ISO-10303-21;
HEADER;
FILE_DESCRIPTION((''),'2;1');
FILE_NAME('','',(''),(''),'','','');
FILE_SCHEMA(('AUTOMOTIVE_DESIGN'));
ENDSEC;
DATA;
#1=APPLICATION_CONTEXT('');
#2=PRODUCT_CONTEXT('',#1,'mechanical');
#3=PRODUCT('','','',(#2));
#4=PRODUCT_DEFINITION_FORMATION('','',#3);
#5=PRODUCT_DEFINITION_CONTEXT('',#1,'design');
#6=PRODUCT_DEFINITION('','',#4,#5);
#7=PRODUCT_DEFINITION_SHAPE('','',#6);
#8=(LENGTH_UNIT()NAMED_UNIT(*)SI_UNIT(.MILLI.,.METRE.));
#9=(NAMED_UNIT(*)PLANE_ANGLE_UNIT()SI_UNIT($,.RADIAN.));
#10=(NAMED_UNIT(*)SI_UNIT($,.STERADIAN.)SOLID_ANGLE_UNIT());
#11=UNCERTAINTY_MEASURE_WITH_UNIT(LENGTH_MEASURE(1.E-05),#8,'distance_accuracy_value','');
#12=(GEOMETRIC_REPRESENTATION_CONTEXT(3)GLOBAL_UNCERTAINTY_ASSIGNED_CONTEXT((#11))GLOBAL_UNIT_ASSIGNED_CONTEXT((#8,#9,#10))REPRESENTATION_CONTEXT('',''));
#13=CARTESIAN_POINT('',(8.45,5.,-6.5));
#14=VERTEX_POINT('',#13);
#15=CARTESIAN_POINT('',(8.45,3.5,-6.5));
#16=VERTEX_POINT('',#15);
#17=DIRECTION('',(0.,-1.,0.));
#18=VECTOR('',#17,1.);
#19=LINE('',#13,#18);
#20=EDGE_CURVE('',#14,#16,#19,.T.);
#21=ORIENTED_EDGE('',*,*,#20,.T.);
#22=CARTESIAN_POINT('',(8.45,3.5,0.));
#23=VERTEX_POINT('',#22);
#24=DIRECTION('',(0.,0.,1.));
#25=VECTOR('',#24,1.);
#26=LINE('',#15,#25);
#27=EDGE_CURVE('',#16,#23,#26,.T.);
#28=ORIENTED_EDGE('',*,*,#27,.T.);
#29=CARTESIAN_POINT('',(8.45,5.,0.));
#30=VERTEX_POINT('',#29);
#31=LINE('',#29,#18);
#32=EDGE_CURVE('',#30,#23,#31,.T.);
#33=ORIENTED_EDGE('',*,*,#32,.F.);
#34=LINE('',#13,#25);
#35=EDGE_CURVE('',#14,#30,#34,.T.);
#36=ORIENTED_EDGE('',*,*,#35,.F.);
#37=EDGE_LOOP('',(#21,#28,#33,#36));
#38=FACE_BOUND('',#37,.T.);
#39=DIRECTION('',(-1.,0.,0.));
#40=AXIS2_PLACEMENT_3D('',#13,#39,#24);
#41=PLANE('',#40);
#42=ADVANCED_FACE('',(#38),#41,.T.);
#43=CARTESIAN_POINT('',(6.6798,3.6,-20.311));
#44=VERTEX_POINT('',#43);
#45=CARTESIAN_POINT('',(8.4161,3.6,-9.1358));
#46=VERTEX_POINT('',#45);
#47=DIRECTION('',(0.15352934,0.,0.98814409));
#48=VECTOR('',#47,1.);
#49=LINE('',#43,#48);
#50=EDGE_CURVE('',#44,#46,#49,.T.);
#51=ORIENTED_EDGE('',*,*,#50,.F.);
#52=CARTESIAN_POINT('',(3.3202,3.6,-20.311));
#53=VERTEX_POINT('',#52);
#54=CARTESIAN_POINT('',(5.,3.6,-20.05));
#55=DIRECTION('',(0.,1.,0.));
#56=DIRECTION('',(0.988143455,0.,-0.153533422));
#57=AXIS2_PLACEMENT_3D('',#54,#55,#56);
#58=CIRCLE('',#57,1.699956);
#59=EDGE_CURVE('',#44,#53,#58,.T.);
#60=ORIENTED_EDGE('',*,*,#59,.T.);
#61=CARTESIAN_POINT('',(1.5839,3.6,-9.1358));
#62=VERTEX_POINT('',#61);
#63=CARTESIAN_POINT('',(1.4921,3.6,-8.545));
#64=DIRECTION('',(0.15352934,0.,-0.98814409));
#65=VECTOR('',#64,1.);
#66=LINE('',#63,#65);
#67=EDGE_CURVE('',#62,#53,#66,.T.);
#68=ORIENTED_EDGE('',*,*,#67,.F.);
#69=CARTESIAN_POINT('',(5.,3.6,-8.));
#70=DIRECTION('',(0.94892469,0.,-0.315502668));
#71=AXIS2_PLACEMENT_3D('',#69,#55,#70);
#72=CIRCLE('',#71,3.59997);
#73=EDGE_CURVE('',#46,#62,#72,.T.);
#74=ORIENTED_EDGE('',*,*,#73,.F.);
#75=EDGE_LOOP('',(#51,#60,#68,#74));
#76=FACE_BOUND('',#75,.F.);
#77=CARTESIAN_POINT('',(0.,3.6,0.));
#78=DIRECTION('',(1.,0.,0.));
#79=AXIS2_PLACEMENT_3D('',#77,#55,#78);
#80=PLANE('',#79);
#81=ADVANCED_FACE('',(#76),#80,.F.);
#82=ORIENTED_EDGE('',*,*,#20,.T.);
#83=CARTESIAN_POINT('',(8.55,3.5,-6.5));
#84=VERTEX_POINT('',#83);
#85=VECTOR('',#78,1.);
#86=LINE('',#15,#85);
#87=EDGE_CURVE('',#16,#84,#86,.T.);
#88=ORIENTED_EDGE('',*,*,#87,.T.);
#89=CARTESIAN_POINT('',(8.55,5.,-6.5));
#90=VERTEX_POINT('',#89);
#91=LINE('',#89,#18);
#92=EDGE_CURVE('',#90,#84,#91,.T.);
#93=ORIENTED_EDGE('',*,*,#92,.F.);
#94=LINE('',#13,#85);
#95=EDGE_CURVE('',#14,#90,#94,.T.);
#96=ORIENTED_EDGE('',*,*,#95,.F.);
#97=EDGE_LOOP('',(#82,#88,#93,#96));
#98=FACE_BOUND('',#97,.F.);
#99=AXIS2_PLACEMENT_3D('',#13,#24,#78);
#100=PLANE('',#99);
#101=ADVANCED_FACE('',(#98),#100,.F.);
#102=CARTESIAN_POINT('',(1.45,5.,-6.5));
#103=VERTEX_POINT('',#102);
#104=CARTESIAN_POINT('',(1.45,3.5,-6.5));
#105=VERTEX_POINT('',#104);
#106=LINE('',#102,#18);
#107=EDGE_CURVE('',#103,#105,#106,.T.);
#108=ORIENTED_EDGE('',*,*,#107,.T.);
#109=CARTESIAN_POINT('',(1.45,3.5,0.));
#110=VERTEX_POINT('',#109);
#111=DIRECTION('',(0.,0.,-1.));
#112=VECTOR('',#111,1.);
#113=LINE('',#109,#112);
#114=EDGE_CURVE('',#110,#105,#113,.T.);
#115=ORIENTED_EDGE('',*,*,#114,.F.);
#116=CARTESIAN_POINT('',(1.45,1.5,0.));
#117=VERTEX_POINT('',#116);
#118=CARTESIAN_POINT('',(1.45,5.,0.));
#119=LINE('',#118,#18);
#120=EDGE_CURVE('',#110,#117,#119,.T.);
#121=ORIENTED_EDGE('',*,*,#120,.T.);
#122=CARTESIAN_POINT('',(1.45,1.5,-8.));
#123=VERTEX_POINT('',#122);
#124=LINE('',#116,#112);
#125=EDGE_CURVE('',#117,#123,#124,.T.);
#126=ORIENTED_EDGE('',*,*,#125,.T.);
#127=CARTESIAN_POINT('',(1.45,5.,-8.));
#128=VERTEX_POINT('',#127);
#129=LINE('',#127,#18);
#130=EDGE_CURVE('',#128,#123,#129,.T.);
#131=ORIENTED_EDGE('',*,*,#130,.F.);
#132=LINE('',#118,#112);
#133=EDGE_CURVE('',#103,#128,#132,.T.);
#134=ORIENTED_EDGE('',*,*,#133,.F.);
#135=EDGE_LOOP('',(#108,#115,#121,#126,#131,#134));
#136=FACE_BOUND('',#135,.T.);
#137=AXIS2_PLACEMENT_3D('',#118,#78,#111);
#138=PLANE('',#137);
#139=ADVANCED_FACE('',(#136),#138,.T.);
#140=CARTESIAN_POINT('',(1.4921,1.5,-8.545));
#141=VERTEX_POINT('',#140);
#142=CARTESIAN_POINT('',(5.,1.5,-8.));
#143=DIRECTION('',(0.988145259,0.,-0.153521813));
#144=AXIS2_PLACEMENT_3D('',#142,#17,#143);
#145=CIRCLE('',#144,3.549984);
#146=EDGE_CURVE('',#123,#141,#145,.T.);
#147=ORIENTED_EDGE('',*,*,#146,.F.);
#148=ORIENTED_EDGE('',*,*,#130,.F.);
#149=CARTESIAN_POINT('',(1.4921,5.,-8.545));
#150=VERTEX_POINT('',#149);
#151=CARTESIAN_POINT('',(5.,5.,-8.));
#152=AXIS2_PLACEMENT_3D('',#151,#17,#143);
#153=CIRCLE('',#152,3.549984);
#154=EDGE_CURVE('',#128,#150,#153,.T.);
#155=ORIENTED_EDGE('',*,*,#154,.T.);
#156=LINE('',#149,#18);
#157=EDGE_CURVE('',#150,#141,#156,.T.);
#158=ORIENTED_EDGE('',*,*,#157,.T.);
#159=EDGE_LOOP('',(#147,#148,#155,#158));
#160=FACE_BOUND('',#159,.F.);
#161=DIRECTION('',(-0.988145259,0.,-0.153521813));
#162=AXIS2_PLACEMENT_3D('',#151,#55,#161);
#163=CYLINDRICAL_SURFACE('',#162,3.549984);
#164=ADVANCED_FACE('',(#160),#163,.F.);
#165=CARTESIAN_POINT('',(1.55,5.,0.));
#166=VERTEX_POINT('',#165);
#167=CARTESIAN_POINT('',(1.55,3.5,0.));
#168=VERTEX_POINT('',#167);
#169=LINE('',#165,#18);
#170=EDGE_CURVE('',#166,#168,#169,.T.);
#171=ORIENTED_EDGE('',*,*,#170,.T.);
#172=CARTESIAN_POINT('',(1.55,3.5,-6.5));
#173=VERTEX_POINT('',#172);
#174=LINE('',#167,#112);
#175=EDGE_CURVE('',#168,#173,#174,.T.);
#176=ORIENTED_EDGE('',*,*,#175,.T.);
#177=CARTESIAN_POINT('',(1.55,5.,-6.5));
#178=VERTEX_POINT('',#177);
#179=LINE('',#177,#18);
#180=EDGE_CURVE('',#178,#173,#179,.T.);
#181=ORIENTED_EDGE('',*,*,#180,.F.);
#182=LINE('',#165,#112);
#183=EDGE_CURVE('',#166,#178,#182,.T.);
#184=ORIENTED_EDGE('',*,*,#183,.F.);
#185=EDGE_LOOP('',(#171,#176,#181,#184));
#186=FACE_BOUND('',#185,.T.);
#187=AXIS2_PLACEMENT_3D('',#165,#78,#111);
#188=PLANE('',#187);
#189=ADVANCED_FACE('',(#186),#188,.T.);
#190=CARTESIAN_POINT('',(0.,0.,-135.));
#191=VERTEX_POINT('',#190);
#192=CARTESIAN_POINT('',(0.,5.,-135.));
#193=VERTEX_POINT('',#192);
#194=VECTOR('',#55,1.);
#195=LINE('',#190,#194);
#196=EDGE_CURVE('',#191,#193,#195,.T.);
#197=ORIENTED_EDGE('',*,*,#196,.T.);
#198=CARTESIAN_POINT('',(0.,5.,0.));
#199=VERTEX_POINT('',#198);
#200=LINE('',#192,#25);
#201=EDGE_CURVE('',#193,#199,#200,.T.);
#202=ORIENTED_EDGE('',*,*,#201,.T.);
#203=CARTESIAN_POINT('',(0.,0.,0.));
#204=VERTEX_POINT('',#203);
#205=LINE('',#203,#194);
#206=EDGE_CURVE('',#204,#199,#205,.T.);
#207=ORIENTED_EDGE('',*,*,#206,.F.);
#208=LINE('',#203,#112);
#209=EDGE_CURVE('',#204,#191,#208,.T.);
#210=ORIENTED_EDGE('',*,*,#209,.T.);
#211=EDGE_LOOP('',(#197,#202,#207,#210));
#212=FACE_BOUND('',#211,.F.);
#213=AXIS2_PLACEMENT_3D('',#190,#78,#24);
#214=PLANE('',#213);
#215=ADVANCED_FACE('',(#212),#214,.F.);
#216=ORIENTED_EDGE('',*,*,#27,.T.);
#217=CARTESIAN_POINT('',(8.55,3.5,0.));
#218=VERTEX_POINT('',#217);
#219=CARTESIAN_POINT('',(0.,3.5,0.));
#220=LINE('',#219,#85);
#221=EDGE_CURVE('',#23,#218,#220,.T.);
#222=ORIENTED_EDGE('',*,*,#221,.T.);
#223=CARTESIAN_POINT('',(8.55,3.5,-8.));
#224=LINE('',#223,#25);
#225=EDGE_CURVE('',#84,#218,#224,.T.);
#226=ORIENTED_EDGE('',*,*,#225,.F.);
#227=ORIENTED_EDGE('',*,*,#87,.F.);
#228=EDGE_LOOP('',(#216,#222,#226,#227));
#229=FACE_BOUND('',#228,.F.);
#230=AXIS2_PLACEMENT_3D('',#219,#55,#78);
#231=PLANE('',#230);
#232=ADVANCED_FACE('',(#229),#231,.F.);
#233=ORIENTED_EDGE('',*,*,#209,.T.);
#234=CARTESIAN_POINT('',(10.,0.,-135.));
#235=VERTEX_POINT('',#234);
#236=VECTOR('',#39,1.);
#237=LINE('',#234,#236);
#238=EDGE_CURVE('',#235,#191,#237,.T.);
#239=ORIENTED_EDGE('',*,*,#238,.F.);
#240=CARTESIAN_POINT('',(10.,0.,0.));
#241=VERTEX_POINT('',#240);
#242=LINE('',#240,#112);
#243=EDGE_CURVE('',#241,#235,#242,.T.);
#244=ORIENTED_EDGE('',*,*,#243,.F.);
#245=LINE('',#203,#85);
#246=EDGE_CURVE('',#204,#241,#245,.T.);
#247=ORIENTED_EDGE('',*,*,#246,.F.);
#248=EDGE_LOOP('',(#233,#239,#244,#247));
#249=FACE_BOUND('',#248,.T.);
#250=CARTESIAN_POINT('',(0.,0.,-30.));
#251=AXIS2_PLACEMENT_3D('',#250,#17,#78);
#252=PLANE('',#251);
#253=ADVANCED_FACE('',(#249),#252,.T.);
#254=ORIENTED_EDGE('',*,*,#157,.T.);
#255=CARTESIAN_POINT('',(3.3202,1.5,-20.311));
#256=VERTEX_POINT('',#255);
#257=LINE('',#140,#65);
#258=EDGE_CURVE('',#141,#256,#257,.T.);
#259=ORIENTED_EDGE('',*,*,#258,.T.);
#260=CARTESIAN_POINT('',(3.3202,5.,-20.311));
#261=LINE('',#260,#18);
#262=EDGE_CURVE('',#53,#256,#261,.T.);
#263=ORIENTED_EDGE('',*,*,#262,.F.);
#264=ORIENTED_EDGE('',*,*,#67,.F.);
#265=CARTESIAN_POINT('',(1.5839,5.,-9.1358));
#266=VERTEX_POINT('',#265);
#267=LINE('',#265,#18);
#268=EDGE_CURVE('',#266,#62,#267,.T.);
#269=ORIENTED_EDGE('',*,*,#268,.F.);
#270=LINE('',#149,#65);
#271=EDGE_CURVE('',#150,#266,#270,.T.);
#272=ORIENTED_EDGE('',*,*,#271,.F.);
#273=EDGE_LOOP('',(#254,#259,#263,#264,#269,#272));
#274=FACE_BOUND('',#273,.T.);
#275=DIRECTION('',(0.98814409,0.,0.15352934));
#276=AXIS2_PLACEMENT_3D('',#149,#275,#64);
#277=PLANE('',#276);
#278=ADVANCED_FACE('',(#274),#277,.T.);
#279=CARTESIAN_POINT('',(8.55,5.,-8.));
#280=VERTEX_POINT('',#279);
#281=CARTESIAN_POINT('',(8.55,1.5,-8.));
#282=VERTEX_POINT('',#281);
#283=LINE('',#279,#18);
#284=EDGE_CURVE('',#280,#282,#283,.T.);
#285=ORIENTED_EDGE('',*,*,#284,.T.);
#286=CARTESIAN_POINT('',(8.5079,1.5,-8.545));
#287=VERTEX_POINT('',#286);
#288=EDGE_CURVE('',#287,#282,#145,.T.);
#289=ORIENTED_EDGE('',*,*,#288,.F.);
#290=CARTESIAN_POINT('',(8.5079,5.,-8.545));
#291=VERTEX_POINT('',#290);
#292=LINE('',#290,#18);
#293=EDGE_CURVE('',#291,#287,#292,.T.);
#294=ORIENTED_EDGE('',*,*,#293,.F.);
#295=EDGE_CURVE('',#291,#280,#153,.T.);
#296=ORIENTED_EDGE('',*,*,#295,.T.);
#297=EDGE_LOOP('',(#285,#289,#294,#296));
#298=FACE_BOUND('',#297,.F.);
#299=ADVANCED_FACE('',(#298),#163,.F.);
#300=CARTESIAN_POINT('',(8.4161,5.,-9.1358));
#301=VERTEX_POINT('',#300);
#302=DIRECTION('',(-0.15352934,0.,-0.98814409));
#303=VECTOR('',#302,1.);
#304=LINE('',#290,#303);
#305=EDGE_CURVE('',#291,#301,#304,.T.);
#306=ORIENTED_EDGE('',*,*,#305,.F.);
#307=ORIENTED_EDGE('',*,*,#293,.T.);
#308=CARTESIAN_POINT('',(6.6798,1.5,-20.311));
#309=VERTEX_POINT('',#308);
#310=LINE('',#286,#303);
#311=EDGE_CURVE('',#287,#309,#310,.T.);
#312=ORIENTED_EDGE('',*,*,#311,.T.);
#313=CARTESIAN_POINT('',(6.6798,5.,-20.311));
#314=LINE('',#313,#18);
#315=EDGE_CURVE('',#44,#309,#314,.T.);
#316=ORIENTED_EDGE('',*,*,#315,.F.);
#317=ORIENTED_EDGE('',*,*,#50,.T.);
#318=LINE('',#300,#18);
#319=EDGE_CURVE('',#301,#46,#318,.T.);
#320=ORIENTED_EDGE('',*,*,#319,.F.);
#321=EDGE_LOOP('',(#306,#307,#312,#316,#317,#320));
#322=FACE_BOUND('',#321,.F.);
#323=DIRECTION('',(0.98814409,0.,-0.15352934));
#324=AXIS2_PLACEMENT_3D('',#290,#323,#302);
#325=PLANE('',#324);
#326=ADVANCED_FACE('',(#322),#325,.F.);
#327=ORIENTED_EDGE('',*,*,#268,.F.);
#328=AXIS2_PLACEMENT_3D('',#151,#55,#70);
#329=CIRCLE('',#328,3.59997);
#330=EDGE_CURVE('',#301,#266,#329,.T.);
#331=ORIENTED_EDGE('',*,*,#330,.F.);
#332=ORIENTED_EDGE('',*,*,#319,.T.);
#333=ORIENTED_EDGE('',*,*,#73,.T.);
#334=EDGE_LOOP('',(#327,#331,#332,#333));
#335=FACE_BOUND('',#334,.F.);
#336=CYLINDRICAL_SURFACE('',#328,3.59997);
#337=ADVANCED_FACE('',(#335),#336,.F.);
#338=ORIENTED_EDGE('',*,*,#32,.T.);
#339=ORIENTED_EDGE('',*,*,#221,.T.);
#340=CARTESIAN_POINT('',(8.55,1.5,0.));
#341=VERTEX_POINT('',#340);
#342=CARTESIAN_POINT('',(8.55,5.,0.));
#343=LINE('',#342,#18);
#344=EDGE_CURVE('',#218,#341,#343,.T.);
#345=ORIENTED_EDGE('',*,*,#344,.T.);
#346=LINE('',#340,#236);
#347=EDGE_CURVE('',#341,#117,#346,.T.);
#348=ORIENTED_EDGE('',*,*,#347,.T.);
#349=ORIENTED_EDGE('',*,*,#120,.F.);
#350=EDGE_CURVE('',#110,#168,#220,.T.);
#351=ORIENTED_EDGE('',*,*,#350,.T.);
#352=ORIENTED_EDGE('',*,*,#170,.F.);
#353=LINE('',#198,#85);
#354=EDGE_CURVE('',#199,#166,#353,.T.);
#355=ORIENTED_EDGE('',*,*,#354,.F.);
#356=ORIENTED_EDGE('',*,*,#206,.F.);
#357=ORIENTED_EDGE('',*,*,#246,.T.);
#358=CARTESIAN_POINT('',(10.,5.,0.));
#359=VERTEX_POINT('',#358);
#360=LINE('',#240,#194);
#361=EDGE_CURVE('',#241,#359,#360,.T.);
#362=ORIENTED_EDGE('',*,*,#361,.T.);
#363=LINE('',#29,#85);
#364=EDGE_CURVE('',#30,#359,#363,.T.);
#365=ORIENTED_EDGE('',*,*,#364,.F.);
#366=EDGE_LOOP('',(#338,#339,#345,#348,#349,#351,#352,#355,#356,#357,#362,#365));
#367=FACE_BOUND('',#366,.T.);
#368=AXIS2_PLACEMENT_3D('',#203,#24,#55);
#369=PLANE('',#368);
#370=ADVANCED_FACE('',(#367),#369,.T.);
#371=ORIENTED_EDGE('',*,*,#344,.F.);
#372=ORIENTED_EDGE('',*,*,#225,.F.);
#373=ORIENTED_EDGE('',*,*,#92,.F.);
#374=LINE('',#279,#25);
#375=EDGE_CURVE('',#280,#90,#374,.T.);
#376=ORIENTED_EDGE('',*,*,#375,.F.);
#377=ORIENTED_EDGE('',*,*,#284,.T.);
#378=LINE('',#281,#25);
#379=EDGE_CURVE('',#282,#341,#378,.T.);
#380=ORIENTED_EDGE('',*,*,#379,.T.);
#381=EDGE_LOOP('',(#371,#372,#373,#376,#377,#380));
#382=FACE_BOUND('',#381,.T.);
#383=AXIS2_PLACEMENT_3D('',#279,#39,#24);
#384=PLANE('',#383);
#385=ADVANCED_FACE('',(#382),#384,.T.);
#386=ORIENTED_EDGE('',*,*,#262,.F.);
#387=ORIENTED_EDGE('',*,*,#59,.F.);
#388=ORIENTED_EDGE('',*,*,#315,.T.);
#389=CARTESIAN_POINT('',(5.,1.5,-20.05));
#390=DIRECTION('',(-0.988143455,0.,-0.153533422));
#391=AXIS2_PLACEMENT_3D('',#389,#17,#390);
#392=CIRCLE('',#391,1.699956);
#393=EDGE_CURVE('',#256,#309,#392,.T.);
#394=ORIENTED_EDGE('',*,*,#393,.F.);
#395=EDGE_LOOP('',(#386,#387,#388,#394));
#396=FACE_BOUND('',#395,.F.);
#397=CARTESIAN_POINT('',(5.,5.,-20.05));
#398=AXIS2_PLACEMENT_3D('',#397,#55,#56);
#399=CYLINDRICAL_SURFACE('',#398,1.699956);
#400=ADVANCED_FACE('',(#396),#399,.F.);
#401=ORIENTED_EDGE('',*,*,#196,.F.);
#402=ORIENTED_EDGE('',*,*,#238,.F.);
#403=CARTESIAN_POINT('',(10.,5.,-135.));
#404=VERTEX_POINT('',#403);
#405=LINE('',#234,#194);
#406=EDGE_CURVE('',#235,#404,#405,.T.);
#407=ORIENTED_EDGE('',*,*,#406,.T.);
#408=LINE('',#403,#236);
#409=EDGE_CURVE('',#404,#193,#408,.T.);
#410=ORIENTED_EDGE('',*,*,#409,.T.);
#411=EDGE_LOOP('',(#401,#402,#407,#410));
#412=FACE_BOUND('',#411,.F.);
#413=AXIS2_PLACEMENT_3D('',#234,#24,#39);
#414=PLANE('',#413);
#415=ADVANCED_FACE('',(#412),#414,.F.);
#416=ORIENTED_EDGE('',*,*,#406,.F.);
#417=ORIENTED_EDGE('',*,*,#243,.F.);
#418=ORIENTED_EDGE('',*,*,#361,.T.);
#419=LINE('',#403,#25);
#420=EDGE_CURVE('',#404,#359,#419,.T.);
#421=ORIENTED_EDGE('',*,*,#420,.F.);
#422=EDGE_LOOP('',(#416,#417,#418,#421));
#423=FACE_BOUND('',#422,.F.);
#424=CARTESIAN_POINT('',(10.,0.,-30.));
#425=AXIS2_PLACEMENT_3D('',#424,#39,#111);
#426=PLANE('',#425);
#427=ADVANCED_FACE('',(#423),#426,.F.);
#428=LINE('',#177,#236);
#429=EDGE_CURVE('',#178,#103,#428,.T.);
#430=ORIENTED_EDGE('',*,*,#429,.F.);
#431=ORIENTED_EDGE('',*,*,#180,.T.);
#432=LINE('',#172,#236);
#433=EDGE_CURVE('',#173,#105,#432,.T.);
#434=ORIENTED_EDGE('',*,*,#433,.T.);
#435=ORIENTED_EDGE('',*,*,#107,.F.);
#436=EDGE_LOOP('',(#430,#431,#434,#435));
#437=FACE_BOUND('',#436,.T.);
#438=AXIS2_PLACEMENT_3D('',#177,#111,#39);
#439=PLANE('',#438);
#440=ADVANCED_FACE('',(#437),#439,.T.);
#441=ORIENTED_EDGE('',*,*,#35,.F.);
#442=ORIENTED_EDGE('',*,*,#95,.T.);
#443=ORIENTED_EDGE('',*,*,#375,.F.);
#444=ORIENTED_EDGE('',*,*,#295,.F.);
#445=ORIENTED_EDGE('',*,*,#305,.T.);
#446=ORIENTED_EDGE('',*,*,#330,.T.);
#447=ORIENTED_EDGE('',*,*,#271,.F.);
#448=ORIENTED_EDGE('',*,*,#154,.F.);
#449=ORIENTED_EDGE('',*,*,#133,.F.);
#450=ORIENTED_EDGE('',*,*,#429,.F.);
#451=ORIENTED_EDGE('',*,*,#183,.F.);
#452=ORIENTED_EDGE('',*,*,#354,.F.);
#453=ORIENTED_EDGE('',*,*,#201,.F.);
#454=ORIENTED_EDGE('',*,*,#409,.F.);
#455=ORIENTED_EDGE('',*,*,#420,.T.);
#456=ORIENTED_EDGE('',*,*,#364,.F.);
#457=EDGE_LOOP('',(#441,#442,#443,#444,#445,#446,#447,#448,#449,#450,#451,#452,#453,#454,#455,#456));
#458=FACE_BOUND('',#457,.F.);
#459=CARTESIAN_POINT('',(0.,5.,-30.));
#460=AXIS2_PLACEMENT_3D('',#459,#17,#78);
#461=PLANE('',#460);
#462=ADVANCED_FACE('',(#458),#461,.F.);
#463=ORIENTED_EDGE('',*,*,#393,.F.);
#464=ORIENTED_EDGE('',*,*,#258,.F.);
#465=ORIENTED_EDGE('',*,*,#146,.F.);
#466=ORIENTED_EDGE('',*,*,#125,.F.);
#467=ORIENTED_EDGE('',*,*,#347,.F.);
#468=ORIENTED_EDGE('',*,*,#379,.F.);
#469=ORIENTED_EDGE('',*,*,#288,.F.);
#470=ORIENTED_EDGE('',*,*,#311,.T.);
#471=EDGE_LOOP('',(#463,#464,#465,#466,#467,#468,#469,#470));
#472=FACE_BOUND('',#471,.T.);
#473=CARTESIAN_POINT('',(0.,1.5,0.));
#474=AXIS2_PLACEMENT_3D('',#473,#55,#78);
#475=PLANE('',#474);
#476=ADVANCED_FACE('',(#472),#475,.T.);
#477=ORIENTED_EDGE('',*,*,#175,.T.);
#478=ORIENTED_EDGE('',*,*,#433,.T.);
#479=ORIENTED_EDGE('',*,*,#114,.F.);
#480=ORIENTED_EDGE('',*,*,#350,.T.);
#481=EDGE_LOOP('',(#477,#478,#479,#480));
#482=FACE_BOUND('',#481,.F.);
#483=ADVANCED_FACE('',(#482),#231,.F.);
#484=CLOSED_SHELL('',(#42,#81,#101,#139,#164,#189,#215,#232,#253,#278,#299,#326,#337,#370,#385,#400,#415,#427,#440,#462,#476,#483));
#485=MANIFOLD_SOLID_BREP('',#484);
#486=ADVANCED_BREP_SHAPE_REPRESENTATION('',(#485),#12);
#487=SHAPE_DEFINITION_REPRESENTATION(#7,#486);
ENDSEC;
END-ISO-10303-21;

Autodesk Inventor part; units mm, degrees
ref_plane "YZ Plane" through (0, 0, 0) normal (1, 0, 0) x (0, 1, 0)
ref_plane "XZ Plane" through (0, 0, 0) normal (0, 1, 0) x (-1, 0, 0)
ref_plane "XY Plane" through (0, 0, 0) normal (0, 0, 1) x (1, 0, 0)
sketch "Esquisse1" plane through (0, 0, 0) normal (1, 0, 0) x (0, 1, 0)
  line L0 (0, 0) -> (5, 0)
  line L1 (5, 0) -> (5, -30)
  line L2 (5, -30) -> (0, -30)
  line L3 (0, -30) -> (0, 0)
  dimension "d0" = 5
  dimension "d1" = 30
extrude "Extrusion1" add sketch "Esquisse1" along normal blind 10
sketch "Esquisse2" plane through (0, 5, 0) normal (0, 1, 0) x (1, 0, 0)
  line L0 (0, 0) -> (5, 0)
  line L1 (0, 0) -> (10, 0) projected
  line L2 (5, 0) -> (5, 8)
  arc A0 (1.4921, 8.545) -> (8.5079, 8.545) centre (5, 8) ccw
  line L3 (5, 21.75) -> (5, 20.05)
  arc A1 (6.6798, 20.311) -> (3.3202, 20.311) centre (5, 20.05) ccw
  line L4 (1.4921, 8.545) -> (3.3202, 20.311)
  line L5 (8.5079, 8.545) -> (6.6798, 20.311)
  line L6 (5, 4.45) -> (5, 11.55)
  line L7 (5, 18.35) -> (5, 21.75)
  dimension "d4" = 8
  dimension "d5" = 7.1
  dimension "d6" = 17.3
  dimension "d7" = 1.7
extrude "Extrusion2" cut sketch "Esquisse2" against normal blind 3.5
sketch "Esquisse3" plane through (0, 5, 0) normal (0, 1, 0) x (1, 0, 0)
  arc A0 (1.4921, 8.545) -> (8.5079, 8.545) centre (5, 8) ccw projected
  arc A1 (8.4161, 9.1358) -> (1.5839, 9.1358) centre (5, 8) ccw
  arc A2 (6.6798, 20.311) -> (3.3202, 20.311) centre (5, 20.05) ccw projected
  arc A3 (6.6798, 20.311) -> (3.3202, 20.311) centre (5, 20.05) ccw
  line L0 (1.4921, 8.545) -> (3.3202, 20.311) projected
  line L1 (3.3202, 20.311) -> (1.4921, 8.545)
  line L2 (6.6798, 20.311) -> (8.5079, 8.545)
  point P0 (0, 0)
  dimension "d24" = 7.2
extrude "Extrusion5" add sketch "Esquisse3" against normal blind 1.4 contours L0 A2 L2 A1
sketch "Esquisse5" plane through (0, 5, 0) normal (0, 1, 0) x (1, 0, 0)
  arc A0 (1.4921, 8.545) -> (8.5079, 8.545) centre (5, 8) ccw projected
  line L0 (5, 0) -> (1.45, 0)
  line L1 (0, 0) -> (10, 0) projected
  line L2 (1.45, 0) -> (1.45, 8)
  line L3 (1.45, 8) -> (8.55, 8)
  line L4 (8.55, 8) -> (8.55, 0)
  line L5 (8.55, 0) -> (1.45, 0)
  line L6 (5, 8) -> (5, 0)
  dimension "d27" = 3.55
  dimension "d28" = 7.1
extrude "Extrusion6" cut sketch "Esquisse5" against normal blind 3.5
sketch "Esquisse6" plane through (0, 5, 0) normal (0, 1, 0) x (1, 0, 0)
  arc A0 (8.4161, 9.1358) -> (1.5839, 9.1358) centre (5, 8) ccw projected
  line L0 (5, 8) -> (5, 0)
  line L1 (5, 0) -> (1.55, 0)
  line L2 (0, 0) -> (10, 0) projected
  line L3 (1.55, 0) -> (1.55, 6.5)
  line L4 (8.45, 6.5) -> (8.45, 0)
  line L5 (8.45, 0) -> (1.55, 0)
  line L6 (8.55, 8) -> (8.55, 0) projected
  line L7 (8.45, 6.5) -> (8.55, 6.5)
  line L8 (8.55, 6.5) -> (8.55, 0)
  line L9 (8.55, 0) -> (8.45, 0)
  line L10 (8.45, 0) -> (8.45, 6.5)
  line L11 (1.45, 0) -> (1.45, 8) projected
  line L12 (1.55, 6.5) -> (1.45, 6.5)
  line L13 (1.45, 6.5) -> (1.45, 0)
  line L14 (1.45, 0) -> (1.55, 0)
  line L15 (1.55, 0) -> (1.55, 6.5)
  dimension "d31" = 3.45
  dimension "d32" = 6.5
  dimension "d33" = 6.9
  dimension "d34" = 6.5
extrude "Extrusion8" add sketch "Esquisse6" against normal blind 1.5
sketch "Esquisse7" plane through (0, 0, -30) normal (0, -1, 0) x (1, 0, 0)
  line L0 (0, 0) -> (10, 0)
  line L1 (10, 0) -> (10, -105)
  line L2 (10, -105) -> (0, -105)
  line L3 (0, -105) -> (0, 0)
  point P0 (0, 30)
  dimension "d39" = 10
  dimension "d40" = 105
extrude "Extrusion9" add sketch "Esquisse7" against normal blind 5
properties part number "Barrière"
